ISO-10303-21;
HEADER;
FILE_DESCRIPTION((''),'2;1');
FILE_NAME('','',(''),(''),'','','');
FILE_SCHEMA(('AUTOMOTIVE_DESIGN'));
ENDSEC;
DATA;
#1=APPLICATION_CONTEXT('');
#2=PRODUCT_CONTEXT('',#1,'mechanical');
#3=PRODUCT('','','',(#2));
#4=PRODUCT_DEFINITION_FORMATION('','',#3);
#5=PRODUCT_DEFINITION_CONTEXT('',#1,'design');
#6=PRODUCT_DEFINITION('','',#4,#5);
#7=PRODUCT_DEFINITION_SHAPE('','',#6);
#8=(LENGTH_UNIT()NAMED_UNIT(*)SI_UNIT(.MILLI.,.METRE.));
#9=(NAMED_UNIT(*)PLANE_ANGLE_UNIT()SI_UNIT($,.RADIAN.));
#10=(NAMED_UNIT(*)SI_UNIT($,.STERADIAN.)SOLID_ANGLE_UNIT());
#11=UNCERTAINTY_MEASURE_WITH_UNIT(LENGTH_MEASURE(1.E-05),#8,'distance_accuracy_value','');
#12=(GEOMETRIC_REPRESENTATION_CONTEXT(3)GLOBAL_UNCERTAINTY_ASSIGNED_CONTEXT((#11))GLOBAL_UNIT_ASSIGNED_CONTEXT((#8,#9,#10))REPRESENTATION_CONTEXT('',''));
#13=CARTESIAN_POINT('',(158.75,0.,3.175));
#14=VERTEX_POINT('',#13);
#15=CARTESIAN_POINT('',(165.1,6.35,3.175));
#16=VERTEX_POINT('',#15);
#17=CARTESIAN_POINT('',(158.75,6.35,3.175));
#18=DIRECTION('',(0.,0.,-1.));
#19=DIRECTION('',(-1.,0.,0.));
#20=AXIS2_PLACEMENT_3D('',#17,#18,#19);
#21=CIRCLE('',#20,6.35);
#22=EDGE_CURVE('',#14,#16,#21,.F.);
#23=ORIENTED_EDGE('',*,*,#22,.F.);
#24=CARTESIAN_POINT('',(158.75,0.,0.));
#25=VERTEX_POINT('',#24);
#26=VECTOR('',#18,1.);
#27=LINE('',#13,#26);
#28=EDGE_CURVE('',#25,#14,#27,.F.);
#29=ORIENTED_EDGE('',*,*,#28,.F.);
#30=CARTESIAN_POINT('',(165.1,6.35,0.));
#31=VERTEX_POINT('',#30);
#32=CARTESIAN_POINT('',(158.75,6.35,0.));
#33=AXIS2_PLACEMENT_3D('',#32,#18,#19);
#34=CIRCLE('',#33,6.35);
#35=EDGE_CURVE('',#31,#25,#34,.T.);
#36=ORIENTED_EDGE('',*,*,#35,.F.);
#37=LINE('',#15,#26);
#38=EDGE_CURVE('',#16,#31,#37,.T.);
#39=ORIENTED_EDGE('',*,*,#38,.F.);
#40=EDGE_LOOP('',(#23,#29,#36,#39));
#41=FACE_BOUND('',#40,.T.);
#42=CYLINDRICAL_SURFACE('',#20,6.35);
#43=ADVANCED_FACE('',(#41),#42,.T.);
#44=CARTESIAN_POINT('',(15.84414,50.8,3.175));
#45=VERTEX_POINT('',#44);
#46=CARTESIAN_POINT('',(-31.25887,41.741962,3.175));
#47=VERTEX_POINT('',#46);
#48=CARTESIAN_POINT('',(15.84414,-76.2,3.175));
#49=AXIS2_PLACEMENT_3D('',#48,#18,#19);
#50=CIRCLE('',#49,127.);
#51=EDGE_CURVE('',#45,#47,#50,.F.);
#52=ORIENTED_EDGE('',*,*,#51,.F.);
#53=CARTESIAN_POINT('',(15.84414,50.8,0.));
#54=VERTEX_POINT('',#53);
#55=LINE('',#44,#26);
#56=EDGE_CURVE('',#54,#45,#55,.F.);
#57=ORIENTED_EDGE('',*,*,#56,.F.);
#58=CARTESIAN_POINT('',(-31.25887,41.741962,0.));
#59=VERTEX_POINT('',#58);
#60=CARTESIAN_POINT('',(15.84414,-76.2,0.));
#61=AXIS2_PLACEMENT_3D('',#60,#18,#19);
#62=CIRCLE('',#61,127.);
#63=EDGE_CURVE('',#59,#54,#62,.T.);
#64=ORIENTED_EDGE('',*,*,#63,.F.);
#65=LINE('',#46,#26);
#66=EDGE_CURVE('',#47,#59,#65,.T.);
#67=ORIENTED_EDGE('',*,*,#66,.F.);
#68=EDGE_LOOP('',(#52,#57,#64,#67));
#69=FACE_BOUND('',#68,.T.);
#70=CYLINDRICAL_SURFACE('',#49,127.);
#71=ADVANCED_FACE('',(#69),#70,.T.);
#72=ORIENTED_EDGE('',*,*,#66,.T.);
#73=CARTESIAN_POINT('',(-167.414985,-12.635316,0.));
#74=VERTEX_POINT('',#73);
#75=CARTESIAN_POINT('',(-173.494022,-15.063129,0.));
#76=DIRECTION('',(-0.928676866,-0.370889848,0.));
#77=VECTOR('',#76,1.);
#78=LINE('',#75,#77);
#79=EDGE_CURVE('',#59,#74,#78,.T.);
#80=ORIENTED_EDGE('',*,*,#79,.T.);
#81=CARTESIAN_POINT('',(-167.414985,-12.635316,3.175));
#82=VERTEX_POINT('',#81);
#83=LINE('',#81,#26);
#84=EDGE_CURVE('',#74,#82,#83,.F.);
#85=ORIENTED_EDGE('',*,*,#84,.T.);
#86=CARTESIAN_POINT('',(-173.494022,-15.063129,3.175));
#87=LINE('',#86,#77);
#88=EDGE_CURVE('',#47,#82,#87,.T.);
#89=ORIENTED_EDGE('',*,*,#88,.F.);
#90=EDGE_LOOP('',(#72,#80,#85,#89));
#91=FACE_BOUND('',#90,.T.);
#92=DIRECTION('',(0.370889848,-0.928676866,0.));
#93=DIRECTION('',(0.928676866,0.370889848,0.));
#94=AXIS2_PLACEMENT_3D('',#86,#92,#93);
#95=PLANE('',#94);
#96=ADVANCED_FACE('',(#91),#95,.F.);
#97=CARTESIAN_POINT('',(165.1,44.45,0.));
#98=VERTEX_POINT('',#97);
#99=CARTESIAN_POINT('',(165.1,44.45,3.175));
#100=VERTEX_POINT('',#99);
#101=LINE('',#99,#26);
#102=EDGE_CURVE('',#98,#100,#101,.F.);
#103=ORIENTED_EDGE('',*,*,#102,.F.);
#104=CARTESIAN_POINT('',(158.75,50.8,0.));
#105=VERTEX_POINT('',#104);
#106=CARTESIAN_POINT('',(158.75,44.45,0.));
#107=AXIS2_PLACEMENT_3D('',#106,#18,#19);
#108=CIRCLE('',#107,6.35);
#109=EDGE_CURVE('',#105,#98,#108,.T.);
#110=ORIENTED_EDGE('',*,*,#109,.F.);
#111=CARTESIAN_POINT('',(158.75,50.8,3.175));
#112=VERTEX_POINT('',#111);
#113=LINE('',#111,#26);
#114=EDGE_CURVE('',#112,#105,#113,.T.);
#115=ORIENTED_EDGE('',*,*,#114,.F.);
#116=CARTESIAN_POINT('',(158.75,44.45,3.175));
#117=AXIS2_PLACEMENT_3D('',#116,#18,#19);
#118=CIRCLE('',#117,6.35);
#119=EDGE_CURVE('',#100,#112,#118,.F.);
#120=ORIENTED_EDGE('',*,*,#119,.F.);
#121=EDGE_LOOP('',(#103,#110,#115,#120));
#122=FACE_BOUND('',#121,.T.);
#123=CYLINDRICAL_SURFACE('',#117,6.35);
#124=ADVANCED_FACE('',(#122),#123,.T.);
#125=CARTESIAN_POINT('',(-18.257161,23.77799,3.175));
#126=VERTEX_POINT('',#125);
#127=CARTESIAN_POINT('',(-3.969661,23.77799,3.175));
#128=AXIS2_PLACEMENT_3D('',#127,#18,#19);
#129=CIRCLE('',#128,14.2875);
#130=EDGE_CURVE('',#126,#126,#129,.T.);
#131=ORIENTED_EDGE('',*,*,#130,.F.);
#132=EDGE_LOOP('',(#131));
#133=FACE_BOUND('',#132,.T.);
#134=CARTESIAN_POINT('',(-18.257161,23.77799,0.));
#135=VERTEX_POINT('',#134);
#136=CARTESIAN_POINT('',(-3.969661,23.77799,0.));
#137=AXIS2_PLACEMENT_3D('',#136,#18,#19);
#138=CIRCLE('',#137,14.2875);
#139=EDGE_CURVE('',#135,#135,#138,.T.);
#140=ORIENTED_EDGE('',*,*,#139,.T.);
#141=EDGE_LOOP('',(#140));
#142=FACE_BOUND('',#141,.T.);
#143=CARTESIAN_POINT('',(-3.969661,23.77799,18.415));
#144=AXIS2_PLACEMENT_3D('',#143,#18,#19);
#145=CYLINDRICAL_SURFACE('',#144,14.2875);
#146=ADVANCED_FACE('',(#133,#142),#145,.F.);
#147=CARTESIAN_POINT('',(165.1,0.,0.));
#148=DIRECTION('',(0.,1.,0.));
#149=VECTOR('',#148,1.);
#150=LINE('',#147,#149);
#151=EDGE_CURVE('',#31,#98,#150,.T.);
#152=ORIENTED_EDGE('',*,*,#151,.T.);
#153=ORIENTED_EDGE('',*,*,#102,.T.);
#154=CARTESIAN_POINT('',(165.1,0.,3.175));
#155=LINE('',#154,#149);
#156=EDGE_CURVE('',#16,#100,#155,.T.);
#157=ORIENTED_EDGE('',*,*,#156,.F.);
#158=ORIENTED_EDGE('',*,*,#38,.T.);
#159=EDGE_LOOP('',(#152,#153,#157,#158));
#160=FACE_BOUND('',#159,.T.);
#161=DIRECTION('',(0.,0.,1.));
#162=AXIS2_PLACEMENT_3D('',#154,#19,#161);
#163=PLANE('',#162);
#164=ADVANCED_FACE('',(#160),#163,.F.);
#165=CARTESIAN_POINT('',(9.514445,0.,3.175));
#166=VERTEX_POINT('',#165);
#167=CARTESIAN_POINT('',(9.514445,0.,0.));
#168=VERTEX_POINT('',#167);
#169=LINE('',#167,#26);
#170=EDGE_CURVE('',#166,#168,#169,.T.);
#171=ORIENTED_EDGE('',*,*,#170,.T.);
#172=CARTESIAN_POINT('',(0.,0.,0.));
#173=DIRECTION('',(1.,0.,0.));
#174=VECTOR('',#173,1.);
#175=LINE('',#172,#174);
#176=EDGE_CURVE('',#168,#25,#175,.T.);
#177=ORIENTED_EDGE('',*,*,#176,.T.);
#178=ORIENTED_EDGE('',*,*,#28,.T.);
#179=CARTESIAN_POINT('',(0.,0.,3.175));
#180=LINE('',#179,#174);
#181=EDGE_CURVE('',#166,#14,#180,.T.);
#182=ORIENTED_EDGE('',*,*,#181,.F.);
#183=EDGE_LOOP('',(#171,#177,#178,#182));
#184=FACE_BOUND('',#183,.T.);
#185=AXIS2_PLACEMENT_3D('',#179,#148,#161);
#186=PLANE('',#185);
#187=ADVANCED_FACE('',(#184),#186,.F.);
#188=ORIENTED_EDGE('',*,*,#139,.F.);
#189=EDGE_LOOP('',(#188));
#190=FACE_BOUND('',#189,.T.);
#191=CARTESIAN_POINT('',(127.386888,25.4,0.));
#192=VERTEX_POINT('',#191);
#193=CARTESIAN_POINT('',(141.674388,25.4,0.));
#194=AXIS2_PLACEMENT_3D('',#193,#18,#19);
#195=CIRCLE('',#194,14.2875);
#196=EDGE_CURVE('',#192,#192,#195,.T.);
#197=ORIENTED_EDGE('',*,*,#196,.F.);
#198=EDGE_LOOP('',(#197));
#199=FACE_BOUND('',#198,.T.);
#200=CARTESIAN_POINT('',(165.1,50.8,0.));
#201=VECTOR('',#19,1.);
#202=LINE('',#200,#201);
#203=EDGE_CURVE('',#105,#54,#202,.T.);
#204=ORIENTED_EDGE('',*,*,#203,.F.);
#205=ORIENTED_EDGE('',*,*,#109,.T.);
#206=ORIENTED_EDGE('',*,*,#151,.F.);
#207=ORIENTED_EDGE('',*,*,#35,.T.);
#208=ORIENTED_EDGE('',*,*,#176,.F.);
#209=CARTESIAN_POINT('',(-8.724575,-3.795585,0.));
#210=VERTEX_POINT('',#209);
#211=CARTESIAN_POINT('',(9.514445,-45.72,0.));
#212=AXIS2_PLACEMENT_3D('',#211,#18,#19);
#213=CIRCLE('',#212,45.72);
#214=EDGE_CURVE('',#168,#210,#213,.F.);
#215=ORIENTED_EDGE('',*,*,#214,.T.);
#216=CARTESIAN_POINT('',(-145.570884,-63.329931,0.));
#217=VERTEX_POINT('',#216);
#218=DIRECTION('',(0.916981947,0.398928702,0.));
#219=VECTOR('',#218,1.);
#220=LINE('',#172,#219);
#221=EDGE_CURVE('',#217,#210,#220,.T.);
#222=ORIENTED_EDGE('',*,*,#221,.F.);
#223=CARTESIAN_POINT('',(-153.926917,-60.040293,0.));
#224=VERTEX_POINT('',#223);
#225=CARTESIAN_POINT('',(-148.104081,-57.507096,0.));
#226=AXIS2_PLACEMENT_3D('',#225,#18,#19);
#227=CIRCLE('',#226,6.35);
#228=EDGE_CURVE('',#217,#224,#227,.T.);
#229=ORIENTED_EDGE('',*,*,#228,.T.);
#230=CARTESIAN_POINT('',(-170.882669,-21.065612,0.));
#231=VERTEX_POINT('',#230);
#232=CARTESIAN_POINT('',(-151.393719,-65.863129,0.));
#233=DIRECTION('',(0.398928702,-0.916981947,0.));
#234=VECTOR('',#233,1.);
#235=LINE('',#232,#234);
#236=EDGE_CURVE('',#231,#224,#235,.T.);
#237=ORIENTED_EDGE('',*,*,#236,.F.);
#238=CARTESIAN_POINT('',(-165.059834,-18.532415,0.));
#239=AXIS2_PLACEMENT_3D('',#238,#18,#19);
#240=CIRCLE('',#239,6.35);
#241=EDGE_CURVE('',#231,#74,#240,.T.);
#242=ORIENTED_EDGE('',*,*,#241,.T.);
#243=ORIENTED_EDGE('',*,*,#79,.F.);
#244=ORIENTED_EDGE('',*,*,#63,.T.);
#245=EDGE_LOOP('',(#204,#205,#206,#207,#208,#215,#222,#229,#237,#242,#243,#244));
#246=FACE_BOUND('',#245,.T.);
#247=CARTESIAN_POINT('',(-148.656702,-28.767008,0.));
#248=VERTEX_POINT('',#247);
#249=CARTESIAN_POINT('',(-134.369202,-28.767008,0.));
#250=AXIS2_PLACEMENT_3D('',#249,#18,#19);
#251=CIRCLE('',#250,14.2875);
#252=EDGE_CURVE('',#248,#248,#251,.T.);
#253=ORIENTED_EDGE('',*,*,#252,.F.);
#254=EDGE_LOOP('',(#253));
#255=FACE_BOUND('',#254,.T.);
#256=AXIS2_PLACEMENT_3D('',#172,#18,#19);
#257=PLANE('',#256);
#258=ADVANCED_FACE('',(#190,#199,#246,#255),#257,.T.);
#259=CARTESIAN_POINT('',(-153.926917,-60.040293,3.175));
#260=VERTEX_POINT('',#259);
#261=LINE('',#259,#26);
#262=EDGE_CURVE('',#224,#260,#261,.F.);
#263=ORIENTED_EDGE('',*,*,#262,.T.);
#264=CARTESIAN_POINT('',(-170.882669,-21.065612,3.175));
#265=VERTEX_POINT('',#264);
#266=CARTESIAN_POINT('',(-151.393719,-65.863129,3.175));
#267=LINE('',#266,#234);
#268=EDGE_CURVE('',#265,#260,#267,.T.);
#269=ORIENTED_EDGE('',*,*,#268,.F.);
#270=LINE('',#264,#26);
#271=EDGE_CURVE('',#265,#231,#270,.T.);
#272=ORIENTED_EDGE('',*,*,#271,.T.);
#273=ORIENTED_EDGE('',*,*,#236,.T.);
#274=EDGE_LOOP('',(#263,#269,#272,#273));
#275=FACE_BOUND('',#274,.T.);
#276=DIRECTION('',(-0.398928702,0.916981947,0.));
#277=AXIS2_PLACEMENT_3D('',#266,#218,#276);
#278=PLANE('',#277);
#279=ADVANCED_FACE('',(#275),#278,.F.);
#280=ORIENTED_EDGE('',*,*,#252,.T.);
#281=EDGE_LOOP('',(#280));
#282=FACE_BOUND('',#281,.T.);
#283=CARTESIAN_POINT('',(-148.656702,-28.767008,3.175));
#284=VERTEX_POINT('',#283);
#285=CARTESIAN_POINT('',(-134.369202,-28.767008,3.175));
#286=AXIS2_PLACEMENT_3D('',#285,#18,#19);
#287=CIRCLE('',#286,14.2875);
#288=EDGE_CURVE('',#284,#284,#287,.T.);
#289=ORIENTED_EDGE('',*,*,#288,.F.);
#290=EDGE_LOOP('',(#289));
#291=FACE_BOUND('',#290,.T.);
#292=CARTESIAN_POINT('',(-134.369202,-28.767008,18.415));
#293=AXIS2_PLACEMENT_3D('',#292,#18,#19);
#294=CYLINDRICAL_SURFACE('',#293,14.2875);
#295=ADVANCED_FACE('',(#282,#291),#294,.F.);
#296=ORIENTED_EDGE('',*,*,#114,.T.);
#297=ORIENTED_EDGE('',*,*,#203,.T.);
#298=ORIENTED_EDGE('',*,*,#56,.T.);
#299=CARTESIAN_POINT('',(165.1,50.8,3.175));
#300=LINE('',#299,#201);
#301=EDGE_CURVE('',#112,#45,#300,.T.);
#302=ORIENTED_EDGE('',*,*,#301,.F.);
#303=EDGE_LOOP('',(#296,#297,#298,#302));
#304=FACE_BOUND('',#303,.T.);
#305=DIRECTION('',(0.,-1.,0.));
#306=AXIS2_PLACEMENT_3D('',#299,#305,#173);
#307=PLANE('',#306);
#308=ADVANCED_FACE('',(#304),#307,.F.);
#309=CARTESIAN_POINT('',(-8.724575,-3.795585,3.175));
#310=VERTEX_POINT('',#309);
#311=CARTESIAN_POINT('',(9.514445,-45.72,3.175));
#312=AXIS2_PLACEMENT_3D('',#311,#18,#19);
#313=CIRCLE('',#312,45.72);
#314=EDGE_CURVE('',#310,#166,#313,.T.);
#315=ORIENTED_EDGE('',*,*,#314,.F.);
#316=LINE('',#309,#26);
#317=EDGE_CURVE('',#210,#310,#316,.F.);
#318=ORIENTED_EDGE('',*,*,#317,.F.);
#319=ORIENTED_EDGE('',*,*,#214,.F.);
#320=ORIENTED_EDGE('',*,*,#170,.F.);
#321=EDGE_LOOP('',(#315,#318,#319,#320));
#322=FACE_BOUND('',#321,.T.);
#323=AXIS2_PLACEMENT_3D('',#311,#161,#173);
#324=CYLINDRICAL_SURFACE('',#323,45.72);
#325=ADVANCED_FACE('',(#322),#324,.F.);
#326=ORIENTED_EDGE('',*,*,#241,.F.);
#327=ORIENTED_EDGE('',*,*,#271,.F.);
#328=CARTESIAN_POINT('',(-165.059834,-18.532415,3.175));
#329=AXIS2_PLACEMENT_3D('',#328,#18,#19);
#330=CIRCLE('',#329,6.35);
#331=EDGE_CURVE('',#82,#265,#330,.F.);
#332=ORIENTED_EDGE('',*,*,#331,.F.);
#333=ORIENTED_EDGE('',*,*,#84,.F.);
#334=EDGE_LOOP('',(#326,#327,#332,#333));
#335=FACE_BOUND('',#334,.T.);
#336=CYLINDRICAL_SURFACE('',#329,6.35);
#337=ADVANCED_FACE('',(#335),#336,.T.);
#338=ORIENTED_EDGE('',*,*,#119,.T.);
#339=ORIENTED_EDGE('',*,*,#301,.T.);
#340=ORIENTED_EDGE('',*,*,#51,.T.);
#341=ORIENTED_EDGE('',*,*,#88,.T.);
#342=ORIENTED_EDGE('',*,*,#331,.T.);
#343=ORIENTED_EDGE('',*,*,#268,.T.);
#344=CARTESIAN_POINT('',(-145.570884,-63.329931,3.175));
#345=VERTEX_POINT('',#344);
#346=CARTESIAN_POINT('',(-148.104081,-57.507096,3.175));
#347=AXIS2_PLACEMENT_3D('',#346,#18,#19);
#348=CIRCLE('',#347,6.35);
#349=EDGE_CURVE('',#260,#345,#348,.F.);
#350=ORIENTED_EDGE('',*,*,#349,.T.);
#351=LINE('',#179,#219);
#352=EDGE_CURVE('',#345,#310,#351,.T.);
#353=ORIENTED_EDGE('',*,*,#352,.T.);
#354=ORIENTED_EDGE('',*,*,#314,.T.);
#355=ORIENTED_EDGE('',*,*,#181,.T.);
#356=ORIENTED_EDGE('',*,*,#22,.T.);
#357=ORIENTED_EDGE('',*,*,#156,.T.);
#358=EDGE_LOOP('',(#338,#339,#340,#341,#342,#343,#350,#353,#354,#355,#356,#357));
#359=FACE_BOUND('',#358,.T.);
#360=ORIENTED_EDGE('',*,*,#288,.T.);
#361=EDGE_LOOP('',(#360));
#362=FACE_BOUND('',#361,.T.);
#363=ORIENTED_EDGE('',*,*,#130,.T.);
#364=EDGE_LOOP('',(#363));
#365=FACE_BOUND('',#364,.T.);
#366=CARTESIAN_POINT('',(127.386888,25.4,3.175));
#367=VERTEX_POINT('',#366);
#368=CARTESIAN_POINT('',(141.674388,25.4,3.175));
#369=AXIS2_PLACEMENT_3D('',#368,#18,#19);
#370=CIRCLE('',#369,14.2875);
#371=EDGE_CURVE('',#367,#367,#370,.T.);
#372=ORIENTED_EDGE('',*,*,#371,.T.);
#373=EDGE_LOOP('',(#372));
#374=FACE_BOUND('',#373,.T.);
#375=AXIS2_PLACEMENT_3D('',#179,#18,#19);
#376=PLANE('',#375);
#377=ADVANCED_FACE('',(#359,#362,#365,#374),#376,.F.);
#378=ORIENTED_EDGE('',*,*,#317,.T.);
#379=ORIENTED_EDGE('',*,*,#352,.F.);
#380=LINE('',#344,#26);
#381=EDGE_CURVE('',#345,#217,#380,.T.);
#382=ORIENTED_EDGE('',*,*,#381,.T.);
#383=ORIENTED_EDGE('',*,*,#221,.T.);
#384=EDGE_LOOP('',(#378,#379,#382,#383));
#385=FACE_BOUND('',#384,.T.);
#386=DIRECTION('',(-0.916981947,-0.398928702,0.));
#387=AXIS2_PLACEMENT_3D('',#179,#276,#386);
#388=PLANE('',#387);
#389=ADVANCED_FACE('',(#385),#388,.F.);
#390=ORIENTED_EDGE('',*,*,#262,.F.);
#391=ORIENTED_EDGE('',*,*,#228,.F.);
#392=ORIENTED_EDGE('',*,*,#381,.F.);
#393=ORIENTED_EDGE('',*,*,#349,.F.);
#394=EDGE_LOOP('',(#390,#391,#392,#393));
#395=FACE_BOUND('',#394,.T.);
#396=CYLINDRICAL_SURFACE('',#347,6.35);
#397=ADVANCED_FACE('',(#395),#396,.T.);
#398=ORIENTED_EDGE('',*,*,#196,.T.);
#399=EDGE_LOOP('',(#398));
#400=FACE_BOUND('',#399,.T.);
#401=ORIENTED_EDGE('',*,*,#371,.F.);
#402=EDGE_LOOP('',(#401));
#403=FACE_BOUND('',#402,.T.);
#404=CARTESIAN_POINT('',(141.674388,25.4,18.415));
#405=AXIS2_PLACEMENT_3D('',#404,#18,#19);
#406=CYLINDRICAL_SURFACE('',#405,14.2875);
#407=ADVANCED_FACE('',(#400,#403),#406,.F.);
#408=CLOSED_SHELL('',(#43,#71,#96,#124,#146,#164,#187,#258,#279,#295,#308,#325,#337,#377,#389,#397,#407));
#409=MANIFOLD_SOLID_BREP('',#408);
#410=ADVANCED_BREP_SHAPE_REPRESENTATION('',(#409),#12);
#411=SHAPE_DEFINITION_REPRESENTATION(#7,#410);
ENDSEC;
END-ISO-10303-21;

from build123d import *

# Parameters (mm, degrees)
BOSS_EXTRUDE1_DEPTH = 3.175
FILLET1_R           = 45.72
FILLET4_R           = 127
FILLET5_R           = 6.35
FILLET6_R           = 6.35
FILLET7_R           = 6.35
FILLET8_R           = 6.35
SKETCH4_R           = 14.2875
CUT_EXTRUDE1_DEPTH  = 18.415


with BuildPart() as part:
    # Sketch1 → Boss-Extrude1 (new body)
    with BuildSketch(Plane.XY):
        Polygon((0, 0), (165.1, 0), (165.1, 50.8), (-8.578307929, 50.8), (-173.494021533, -15.063128689), (-151.393719418, -65.863128689), align=None)
    extrude(amount=BOSS_EXTRUDE1_DEPTH)

    # Fillet1
    fillet1_edges = [part.edges().sort_by_distance(p)[0] for p in [
        (0, 0, 1.5875),
    ]]
    fillet(fillet1_edges, radius=FILLET1_R)

    # Fillet4
    fillet4_edges = [part.edges().sort_by_distance(p)[0] for p in [
        (-8.578307929, 50.8, 1.5875),
    ]]
    fillet(fillet4_edges, radius=FILLET4_R)

    # Fillet5
    fillet5_edges = [part.edges().sort_by_distance(p)[0] for p in [
        (-151.393719418, -65.863128689, 1.5875),
    ]]
    fillet(fillet5_edges, radius=FILLET5_R)

    # Fillet6
    fillet6_edges = [part.edges().sort_by_distance(p)[0] for p in [
        (-173.494021533, -15.063128689, 1.5875),
    ]]
    fillet(fillet6_edges, radius=FILLET6_R)

    # Fillet7
    fillet7_edges = [part.edges().sort_by_distance(p)[0] for p in [
        (165.1, 0, 1.5875),
    ]]
    fillet(fillet7_edges, radius=FILLET7_R)

    # Fillet8
    fillet8_edges = [part.edges().sort_by_distance(p)[0] for p in [
        (165.1, 50.8, 1.5875),
    ]]
    fillet(fillet8_edges, radius=FILLET8_R)

    # Sketch4 → Cut-Extrude1 (cut)
    with BuildSketch(Plane(origin=(0, 0, 0), x_dir=(-1, 0, 0), z_dir=(0, 0, -1))):
        with Locations((-141.674387764, 25.4)):
            Circle(SKETCH4_R)
        with Locations((134.369201797, -28.767007742)):
            Circle(SKETCH4_R)
        with Locations((3.969661405, 23.777990081)):
            Circle(SKETCH4_R)
    extrude(amount=-CUT_EXTRUDE1_DEPTH, mode=Mode.SUBTRACT)


solid = part.part
